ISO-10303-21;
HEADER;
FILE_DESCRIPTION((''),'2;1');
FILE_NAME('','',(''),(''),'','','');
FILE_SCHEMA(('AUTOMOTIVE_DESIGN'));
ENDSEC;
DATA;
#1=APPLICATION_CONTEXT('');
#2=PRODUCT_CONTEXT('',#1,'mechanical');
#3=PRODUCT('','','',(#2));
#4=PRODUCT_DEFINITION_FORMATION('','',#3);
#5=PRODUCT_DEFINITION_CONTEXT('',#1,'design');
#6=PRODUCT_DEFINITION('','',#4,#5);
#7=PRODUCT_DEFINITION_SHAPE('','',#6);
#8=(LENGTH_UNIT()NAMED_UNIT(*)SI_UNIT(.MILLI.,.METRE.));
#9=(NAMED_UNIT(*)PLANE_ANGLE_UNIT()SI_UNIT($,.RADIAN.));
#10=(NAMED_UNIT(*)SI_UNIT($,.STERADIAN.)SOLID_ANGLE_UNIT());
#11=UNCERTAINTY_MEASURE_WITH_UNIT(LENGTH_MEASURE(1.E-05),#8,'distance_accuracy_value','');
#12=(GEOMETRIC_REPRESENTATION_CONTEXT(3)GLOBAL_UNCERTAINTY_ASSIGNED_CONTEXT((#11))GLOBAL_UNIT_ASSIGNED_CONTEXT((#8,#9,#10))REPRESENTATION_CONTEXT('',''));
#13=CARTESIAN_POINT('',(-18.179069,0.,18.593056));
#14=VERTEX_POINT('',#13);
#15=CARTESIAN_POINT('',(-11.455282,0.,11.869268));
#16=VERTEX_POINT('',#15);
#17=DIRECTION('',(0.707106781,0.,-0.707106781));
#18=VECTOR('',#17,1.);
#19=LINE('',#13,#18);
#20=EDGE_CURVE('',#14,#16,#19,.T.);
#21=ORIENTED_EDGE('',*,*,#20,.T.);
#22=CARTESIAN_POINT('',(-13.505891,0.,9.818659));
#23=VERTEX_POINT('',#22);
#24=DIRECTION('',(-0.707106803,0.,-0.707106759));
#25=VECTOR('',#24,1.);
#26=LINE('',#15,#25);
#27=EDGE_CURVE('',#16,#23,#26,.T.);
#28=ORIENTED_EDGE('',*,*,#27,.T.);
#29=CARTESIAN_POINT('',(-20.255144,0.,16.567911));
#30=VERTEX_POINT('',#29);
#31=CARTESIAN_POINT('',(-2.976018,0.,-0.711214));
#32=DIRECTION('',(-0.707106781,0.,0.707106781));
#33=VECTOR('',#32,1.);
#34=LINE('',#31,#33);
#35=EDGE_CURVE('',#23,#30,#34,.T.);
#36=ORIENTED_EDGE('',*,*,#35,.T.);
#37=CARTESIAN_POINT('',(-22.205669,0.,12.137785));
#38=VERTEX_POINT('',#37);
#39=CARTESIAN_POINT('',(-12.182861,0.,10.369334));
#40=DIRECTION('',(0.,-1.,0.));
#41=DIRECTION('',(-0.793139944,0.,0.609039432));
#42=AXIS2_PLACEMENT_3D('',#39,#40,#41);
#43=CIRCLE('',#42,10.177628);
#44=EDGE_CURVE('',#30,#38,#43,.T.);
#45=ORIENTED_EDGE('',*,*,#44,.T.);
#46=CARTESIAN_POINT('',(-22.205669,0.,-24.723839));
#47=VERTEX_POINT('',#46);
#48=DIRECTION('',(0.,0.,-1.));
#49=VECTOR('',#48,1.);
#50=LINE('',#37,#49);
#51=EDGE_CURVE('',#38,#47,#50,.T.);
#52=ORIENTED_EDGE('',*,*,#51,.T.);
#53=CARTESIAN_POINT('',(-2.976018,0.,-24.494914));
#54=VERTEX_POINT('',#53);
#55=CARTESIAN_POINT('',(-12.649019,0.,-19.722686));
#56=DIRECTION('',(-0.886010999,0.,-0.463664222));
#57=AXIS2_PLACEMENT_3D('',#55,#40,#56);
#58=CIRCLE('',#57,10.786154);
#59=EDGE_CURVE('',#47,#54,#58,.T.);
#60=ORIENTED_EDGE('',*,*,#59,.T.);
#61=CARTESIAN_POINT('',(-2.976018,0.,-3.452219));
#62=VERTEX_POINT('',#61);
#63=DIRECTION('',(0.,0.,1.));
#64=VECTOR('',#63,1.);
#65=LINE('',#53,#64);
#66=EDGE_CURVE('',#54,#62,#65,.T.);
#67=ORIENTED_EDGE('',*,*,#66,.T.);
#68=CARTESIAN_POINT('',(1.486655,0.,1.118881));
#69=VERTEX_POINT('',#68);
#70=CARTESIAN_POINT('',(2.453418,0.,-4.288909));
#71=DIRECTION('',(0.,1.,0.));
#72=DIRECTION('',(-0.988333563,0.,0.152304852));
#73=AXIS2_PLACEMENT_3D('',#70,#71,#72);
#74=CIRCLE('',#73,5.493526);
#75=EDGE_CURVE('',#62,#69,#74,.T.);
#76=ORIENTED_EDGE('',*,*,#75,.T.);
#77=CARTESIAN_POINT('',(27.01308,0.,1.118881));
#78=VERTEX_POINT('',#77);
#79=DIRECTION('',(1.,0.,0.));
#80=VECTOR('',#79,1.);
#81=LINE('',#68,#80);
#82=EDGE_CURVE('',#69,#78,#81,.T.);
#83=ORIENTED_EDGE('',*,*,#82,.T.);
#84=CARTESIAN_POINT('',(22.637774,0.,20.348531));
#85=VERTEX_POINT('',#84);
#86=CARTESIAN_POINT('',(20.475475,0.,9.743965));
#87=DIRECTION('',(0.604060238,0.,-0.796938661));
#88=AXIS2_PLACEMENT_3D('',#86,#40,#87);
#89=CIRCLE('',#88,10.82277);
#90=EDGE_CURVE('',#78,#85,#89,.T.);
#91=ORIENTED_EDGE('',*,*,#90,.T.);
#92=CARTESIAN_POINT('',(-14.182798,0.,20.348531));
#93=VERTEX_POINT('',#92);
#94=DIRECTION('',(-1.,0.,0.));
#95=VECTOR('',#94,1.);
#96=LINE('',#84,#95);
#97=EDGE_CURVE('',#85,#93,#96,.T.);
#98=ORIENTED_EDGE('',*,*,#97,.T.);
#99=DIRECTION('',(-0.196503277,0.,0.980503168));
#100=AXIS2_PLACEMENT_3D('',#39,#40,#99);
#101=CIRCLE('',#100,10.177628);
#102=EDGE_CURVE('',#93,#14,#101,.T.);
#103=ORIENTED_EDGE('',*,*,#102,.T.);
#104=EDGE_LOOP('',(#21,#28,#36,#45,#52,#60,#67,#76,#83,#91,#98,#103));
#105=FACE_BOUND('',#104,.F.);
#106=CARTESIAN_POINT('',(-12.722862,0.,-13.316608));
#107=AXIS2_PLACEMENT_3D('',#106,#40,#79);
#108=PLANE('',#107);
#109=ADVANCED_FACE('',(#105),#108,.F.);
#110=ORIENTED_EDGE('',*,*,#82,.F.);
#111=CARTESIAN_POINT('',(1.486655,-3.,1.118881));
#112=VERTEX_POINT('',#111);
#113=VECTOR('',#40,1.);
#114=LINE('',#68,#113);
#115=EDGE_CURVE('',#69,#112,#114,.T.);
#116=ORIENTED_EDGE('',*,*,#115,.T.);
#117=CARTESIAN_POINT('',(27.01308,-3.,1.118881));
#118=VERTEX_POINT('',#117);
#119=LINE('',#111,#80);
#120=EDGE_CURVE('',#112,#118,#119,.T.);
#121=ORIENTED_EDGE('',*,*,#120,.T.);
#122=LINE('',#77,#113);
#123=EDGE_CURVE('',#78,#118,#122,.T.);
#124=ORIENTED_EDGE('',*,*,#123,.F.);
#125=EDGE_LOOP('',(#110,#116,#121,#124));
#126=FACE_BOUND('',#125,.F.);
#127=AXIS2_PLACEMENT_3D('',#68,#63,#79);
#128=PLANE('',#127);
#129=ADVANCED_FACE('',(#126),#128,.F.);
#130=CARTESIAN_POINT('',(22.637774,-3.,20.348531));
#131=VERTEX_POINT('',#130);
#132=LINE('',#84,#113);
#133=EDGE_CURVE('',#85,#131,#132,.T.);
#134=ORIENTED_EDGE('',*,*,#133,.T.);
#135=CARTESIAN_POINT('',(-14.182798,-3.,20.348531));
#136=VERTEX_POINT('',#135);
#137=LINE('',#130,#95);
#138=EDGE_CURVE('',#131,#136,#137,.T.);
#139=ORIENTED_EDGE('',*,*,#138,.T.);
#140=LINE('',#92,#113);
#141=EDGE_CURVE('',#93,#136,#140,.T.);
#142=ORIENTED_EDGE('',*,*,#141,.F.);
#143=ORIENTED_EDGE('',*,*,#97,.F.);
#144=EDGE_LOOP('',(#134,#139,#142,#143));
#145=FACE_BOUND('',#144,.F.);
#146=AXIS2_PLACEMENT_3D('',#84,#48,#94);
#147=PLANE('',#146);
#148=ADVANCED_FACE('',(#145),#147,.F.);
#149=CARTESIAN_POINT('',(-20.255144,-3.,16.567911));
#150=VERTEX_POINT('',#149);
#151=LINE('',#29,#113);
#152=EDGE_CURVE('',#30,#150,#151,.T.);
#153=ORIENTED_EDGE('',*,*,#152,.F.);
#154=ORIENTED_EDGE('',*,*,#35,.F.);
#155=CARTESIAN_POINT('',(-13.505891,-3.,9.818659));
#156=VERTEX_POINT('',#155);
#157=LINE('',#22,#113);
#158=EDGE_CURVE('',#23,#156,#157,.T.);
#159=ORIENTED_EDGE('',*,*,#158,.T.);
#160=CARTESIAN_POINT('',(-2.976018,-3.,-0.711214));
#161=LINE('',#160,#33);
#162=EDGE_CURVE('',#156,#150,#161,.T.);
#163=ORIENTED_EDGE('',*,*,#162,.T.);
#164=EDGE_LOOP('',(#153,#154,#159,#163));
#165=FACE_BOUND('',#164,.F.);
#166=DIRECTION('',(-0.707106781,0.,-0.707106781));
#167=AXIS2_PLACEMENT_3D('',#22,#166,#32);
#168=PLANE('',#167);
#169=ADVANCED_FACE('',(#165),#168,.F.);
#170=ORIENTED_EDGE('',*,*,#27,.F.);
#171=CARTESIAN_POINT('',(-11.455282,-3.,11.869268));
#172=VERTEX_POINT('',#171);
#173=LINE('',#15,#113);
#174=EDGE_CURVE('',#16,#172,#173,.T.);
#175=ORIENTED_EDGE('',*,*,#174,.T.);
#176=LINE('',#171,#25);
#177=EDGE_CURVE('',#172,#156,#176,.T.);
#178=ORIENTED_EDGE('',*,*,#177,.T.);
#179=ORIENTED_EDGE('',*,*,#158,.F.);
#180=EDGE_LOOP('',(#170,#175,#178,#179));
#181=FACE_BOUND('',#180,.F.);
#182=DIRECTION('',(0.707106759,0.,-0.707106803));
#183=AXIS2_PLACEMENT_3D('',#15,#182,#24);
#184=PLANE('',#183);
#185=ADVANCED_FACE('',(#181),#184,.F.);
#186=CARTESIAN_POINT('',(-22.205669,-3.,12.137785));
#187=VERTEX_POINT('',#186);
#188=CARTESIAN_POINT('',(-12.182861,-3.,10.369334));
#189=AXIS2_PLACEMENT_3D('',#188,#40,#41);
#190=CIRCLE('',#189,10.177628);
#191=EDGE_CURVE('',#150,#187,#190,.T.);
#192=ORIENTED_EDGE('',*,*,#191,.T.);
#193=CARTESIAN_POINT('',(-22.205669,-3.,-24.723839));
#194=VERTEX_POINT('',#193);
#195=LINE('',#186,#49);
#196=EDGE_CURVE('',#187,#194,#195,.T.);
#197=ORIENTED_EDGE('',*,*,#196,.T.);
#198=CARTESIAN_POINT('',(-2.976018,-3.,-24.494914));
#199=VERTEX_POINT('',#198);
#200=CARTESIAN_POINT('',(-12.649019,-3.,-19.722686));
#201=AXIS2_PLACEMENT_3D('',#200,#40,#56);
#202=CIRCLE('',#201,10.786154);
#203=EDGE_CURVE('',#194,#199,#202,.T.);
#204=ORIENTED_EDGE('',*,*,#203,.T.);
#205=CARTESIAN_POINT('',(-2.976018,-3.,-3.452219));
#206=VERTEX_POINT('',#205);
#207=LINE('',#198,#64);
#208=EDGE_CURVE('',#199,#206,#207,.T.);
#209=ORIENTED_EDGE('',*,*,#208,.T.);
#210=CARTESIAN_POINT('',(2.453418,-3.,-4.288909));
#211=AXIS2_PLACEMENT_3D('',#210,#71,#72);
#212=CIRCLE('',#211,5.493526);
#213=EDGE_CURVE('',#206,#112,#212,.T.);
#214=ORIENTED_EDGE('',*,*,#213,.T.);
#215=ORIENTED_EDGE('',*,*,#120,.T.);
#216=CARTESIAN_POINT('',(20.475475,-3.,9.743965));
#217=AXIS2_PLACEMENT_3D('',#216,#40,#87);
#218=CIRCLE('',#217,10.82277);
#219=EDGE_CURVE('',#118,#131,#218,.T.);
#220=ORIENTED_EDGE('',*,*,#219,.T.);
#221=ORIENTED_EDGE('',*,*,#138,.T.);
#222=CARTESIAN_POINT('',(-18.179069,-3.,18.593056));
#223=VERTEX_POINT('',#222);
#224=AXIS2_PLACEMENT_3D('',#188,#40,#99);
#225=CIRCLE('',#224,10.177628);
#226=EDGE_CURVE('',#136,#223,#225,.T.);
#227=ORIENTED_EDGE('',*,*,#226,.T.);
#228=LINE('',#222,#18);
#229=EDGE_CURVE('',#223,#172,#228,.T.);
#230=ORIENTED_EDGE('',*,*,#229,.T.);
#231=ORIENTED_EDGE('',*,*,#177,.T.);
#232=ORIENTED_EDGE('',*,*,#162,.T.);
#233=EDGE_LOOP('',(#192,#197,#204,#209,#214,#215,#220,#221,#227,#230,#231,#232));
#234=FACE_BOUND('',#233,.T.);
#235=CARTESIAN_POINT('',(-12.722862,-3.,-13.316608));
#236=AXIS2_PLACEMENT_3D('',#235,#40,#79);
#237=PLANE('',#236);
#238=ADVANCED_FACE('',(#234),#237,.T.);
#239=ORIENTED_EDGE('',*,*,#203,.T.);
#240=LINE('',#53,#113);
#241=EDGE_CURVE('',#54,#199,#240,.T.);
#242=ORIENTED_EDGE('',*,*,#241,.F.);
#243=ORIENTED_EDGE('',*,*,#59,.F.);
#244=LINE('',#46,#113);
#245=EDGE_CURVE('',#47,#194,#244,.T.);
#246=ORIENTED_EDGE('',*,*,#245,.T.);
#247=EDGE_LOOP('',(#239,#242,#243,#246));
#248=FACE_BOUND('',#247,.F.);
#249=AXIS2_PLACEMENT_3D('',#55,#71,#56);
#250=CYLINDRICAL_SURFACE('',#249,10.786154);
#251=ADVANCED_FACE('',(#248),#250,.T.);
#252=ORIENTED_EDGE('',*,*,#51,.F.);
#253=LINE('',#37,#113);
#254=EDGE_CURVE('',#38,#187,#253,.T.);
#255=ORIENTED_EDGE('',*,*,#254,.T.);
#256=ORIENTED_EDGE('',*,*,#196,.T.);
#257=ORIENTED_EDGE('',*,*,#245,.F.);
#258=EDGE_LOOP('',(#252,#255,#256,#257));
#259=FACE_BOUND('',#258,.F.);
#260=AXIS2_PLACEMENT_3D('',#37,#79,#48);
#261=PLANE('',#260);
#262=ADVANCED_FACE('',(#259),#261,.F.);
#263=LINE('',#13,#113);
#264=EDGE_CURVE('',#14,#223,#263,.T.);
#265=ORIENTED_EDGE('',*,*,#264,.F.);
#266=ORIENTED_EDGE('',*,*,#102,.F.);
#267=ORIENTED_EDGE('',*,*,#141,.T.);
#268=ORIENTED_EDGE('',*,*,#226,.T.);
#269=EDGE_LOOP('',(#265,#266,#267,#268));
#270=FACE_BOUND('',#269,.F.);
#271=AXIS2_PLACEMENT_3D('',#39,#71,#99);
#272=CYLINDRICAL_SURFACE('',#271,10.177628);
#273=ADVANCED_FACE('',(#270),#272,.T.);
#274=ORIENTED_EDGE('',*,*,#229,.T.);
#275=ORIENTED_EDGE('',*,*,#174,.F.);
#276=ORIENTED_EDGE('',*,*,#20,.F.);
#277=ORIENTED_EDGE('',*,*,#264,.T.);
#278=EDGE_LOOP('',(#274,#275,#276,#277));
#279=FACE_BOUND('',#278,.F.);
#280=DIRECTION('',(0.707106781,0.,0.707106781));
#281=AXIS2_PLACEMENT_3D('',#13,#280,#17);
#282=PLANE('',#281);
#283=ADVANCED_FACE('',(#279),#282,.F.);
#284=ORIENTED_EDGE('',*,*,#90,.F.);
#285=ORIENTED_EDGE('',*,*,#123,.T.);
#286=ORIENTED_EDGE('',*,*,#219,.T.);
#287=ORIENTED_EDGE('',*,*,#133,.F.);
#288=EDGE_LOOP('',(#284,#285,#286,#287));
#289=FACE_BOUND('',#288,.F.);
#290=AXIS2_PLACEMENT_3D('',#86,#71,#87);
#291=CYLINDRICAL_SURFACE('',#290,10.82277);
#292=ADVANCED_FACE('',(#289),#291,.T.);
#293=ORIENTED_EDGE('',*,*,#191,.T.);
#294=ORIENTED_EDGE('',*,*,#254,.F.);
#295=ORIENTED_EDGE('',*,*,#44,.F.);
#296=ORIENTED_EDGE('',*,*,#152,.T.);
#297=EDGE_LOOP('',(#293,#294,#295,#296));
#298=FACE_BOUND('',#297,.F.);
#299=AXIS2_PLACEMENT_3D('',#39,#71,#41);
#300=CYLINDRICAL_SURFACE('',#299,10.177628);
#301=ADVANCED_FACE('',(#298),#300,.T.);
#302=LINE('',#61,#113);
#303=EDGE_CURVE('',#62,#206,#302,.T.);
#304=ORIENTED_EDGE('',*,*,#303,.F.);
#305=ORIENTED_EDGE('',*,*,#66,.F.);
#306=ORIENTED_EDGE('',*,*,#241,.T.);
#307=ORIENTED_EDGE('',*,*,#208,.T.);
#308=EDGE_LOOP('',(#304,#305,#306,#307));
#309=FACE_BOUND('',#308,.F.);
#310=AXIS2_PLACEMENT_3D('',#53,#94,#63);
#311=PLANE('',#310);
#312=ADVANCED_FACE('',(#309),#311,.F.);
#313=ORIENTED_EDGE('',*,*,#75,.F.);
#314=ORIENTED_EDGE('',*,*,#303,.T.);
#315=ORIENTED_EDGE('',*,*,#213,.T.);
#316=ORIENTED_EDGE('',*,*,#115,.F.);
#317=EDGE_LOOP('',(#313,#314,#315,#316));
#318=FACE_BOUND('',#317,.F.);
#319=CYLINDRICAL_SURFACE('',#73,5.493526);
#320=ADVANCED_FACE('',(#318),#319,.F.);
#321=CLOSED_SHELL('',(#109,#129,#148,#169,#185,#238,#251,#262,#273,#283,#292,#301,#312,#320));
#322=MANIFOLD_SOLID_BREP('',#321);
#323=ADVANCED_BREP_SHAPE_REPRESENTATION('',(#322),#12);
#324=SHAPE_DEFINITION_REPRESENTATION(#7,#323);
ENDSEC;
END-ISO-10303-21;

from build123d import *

# Parameters (mm, degrees)
F1_DEPTH = 3


with BuildPart() as f1:
    # F0 (on Front) → F1 (new body)
    with BuildSketch(Plane.XZ):
        with BuildLine():
            Line((-2.976018237, -3.4522186304), (-2.976018237, -0.7112144958))
            Line((-2.976018237, -0.7112144958), (-4.8061137058, 1.118880973))
            Line((-4.8061137058, 1.118880973), (-22.2056694329, 1.118880973))
            Line((-22.2056694329, 1.118880973), (-22.2056694329, -24.7238390148))
            ThreePointArc((-22.2056694329, -24.7238390148), (-12.5206211591, -30.5080748055), (-2.976018237, -24.494914338))
            Line((-2.976018237, -24.494914338), (-2.976018237, -5.1255999133))
            ThreePointArc((-2.976018237, -5.1255999133), (-3.0401081093, -4.2889092718), (-2.9760182369, -3.4522186304))
        make_face()
        with BuildLine():
            Line((-22.2056694329, 1.118880973), (-13.5058912988, 9.818658566))
            Line((-13.5058912988, 9.818658566), (-20.2551439519, 16.5679112191))
            ThreePointArc((-20.2551439519, 16.5679112191), (-21.4976121103, 14.4704948921), (-22.2056694329, 12.1377846226))
            Line((-22.2056694329, 12.1377846226), (-22.2056694329, 1.118880973))
        make_face()
        Polygon((-2.976018237, 3.3900048351), (-2.976018237, 20.348530973), (-11.4552815696, 11.8692681677), align=None)
        Polygon((-4.8061137058, 1.118880973), (-13.5058912988, 9.818658566), (-22.2056694329, 1.118880973), align=None)
        with BuildLine():
            Line((22.6377740155, 20.348530973), (-2.976018237, 20.348530973))
            Line((-2.976018237, 20.348530973), (-2.976018237, 3.3900048351))
            Line((-2.976018237, 3.3900048351), (-0.7048943749, 1.118880973))
            Line((-0.7048943749, 1.118880973), (1.486654611, 1.118880973))
            ThreePointArc((1.486654611, 1.118880973), (2.4534177425, 1.20461658), (3.4201808739, 1.118880973))
            Line((3.4201808739, 1.118880973), (27.0130801946, 1.118880973))
            ThreePointArc((27.0130801946, 1.118880973), (31.028528745, 12.1450925003), (22.6377740155, 20.348530973))
        make_face()
        with BuildLine():
            Line((-2.976018237, 20.348530973), (-14.1827978541, 20.348530973))
            ThreePointArc((-14.1827978541, 20.348530973), (-16.2761490838, 19.6875478868), (-18.179069268, 18.5930558661))
            Line((-18.179069268, 18.5930558661), (-11.4552815696, 11.8692681677))
            Line((-11.4552815696, 11.8692681677), (-2.976018237, 20.348530973))
        make_face()
        Polygon((-2.976018237, 1.118880973), (-2.976018237, 3.3900048351), (-11.4552815696, 11.8692681677), (-13.5058912988, 9.818658566), (-4.8061137058, 1.118880973), align=None)
        Polygon((-2.976018237, -0.7112144958), (-2.976018237, 1.118880973), (-4.8061137058, 1.118880973), align=None)
        with BuildLine():
            Line((-0.7048943749, 1.118880973), (-2.976018237, 1.118880973))
            Line((-2.976018237, 1.118880973), (-2.976018237, -0.7112144958))
            Line((-2.976018237, -0.7112144958), (-2.976018237, -3.4522186304))
            ThreePointArc((-2.9760182369, -3.4522186304), (-1.4774318683, -0.4512996484), (1.486654611, 1.118880973))
            Line((1.486654611, 1.118880973), (-0.7048943749, 1.118880973))
        make_face()
        Polygon((-0.7048943749, 1.118880973), (-2.976018237, 3.3900048351), (-2.976018237, 1.118880973), align=None)
        with BuildLine():
            Line((-2.976018237, -5.1255999133), (-2.976018237, -3.4522186304))
            ThreePointArc((-2.9760182369, -3.4522186304), (-3.0401081093, -4.2889092718), (-2.976018237, -5.1255999133))
        make_face()
        with BuildLine():
            ThreePointArc((3.4201808739, 1.118880973), (2.4534177425, 1.20461658), (1.486654611, 1.118880973))
            Line((1.486654611, 1.118880973), (3.4201808739, 1.118880973))
        make_face()
    extrude(amount=F1_DEPTH)


solid = f1.part
